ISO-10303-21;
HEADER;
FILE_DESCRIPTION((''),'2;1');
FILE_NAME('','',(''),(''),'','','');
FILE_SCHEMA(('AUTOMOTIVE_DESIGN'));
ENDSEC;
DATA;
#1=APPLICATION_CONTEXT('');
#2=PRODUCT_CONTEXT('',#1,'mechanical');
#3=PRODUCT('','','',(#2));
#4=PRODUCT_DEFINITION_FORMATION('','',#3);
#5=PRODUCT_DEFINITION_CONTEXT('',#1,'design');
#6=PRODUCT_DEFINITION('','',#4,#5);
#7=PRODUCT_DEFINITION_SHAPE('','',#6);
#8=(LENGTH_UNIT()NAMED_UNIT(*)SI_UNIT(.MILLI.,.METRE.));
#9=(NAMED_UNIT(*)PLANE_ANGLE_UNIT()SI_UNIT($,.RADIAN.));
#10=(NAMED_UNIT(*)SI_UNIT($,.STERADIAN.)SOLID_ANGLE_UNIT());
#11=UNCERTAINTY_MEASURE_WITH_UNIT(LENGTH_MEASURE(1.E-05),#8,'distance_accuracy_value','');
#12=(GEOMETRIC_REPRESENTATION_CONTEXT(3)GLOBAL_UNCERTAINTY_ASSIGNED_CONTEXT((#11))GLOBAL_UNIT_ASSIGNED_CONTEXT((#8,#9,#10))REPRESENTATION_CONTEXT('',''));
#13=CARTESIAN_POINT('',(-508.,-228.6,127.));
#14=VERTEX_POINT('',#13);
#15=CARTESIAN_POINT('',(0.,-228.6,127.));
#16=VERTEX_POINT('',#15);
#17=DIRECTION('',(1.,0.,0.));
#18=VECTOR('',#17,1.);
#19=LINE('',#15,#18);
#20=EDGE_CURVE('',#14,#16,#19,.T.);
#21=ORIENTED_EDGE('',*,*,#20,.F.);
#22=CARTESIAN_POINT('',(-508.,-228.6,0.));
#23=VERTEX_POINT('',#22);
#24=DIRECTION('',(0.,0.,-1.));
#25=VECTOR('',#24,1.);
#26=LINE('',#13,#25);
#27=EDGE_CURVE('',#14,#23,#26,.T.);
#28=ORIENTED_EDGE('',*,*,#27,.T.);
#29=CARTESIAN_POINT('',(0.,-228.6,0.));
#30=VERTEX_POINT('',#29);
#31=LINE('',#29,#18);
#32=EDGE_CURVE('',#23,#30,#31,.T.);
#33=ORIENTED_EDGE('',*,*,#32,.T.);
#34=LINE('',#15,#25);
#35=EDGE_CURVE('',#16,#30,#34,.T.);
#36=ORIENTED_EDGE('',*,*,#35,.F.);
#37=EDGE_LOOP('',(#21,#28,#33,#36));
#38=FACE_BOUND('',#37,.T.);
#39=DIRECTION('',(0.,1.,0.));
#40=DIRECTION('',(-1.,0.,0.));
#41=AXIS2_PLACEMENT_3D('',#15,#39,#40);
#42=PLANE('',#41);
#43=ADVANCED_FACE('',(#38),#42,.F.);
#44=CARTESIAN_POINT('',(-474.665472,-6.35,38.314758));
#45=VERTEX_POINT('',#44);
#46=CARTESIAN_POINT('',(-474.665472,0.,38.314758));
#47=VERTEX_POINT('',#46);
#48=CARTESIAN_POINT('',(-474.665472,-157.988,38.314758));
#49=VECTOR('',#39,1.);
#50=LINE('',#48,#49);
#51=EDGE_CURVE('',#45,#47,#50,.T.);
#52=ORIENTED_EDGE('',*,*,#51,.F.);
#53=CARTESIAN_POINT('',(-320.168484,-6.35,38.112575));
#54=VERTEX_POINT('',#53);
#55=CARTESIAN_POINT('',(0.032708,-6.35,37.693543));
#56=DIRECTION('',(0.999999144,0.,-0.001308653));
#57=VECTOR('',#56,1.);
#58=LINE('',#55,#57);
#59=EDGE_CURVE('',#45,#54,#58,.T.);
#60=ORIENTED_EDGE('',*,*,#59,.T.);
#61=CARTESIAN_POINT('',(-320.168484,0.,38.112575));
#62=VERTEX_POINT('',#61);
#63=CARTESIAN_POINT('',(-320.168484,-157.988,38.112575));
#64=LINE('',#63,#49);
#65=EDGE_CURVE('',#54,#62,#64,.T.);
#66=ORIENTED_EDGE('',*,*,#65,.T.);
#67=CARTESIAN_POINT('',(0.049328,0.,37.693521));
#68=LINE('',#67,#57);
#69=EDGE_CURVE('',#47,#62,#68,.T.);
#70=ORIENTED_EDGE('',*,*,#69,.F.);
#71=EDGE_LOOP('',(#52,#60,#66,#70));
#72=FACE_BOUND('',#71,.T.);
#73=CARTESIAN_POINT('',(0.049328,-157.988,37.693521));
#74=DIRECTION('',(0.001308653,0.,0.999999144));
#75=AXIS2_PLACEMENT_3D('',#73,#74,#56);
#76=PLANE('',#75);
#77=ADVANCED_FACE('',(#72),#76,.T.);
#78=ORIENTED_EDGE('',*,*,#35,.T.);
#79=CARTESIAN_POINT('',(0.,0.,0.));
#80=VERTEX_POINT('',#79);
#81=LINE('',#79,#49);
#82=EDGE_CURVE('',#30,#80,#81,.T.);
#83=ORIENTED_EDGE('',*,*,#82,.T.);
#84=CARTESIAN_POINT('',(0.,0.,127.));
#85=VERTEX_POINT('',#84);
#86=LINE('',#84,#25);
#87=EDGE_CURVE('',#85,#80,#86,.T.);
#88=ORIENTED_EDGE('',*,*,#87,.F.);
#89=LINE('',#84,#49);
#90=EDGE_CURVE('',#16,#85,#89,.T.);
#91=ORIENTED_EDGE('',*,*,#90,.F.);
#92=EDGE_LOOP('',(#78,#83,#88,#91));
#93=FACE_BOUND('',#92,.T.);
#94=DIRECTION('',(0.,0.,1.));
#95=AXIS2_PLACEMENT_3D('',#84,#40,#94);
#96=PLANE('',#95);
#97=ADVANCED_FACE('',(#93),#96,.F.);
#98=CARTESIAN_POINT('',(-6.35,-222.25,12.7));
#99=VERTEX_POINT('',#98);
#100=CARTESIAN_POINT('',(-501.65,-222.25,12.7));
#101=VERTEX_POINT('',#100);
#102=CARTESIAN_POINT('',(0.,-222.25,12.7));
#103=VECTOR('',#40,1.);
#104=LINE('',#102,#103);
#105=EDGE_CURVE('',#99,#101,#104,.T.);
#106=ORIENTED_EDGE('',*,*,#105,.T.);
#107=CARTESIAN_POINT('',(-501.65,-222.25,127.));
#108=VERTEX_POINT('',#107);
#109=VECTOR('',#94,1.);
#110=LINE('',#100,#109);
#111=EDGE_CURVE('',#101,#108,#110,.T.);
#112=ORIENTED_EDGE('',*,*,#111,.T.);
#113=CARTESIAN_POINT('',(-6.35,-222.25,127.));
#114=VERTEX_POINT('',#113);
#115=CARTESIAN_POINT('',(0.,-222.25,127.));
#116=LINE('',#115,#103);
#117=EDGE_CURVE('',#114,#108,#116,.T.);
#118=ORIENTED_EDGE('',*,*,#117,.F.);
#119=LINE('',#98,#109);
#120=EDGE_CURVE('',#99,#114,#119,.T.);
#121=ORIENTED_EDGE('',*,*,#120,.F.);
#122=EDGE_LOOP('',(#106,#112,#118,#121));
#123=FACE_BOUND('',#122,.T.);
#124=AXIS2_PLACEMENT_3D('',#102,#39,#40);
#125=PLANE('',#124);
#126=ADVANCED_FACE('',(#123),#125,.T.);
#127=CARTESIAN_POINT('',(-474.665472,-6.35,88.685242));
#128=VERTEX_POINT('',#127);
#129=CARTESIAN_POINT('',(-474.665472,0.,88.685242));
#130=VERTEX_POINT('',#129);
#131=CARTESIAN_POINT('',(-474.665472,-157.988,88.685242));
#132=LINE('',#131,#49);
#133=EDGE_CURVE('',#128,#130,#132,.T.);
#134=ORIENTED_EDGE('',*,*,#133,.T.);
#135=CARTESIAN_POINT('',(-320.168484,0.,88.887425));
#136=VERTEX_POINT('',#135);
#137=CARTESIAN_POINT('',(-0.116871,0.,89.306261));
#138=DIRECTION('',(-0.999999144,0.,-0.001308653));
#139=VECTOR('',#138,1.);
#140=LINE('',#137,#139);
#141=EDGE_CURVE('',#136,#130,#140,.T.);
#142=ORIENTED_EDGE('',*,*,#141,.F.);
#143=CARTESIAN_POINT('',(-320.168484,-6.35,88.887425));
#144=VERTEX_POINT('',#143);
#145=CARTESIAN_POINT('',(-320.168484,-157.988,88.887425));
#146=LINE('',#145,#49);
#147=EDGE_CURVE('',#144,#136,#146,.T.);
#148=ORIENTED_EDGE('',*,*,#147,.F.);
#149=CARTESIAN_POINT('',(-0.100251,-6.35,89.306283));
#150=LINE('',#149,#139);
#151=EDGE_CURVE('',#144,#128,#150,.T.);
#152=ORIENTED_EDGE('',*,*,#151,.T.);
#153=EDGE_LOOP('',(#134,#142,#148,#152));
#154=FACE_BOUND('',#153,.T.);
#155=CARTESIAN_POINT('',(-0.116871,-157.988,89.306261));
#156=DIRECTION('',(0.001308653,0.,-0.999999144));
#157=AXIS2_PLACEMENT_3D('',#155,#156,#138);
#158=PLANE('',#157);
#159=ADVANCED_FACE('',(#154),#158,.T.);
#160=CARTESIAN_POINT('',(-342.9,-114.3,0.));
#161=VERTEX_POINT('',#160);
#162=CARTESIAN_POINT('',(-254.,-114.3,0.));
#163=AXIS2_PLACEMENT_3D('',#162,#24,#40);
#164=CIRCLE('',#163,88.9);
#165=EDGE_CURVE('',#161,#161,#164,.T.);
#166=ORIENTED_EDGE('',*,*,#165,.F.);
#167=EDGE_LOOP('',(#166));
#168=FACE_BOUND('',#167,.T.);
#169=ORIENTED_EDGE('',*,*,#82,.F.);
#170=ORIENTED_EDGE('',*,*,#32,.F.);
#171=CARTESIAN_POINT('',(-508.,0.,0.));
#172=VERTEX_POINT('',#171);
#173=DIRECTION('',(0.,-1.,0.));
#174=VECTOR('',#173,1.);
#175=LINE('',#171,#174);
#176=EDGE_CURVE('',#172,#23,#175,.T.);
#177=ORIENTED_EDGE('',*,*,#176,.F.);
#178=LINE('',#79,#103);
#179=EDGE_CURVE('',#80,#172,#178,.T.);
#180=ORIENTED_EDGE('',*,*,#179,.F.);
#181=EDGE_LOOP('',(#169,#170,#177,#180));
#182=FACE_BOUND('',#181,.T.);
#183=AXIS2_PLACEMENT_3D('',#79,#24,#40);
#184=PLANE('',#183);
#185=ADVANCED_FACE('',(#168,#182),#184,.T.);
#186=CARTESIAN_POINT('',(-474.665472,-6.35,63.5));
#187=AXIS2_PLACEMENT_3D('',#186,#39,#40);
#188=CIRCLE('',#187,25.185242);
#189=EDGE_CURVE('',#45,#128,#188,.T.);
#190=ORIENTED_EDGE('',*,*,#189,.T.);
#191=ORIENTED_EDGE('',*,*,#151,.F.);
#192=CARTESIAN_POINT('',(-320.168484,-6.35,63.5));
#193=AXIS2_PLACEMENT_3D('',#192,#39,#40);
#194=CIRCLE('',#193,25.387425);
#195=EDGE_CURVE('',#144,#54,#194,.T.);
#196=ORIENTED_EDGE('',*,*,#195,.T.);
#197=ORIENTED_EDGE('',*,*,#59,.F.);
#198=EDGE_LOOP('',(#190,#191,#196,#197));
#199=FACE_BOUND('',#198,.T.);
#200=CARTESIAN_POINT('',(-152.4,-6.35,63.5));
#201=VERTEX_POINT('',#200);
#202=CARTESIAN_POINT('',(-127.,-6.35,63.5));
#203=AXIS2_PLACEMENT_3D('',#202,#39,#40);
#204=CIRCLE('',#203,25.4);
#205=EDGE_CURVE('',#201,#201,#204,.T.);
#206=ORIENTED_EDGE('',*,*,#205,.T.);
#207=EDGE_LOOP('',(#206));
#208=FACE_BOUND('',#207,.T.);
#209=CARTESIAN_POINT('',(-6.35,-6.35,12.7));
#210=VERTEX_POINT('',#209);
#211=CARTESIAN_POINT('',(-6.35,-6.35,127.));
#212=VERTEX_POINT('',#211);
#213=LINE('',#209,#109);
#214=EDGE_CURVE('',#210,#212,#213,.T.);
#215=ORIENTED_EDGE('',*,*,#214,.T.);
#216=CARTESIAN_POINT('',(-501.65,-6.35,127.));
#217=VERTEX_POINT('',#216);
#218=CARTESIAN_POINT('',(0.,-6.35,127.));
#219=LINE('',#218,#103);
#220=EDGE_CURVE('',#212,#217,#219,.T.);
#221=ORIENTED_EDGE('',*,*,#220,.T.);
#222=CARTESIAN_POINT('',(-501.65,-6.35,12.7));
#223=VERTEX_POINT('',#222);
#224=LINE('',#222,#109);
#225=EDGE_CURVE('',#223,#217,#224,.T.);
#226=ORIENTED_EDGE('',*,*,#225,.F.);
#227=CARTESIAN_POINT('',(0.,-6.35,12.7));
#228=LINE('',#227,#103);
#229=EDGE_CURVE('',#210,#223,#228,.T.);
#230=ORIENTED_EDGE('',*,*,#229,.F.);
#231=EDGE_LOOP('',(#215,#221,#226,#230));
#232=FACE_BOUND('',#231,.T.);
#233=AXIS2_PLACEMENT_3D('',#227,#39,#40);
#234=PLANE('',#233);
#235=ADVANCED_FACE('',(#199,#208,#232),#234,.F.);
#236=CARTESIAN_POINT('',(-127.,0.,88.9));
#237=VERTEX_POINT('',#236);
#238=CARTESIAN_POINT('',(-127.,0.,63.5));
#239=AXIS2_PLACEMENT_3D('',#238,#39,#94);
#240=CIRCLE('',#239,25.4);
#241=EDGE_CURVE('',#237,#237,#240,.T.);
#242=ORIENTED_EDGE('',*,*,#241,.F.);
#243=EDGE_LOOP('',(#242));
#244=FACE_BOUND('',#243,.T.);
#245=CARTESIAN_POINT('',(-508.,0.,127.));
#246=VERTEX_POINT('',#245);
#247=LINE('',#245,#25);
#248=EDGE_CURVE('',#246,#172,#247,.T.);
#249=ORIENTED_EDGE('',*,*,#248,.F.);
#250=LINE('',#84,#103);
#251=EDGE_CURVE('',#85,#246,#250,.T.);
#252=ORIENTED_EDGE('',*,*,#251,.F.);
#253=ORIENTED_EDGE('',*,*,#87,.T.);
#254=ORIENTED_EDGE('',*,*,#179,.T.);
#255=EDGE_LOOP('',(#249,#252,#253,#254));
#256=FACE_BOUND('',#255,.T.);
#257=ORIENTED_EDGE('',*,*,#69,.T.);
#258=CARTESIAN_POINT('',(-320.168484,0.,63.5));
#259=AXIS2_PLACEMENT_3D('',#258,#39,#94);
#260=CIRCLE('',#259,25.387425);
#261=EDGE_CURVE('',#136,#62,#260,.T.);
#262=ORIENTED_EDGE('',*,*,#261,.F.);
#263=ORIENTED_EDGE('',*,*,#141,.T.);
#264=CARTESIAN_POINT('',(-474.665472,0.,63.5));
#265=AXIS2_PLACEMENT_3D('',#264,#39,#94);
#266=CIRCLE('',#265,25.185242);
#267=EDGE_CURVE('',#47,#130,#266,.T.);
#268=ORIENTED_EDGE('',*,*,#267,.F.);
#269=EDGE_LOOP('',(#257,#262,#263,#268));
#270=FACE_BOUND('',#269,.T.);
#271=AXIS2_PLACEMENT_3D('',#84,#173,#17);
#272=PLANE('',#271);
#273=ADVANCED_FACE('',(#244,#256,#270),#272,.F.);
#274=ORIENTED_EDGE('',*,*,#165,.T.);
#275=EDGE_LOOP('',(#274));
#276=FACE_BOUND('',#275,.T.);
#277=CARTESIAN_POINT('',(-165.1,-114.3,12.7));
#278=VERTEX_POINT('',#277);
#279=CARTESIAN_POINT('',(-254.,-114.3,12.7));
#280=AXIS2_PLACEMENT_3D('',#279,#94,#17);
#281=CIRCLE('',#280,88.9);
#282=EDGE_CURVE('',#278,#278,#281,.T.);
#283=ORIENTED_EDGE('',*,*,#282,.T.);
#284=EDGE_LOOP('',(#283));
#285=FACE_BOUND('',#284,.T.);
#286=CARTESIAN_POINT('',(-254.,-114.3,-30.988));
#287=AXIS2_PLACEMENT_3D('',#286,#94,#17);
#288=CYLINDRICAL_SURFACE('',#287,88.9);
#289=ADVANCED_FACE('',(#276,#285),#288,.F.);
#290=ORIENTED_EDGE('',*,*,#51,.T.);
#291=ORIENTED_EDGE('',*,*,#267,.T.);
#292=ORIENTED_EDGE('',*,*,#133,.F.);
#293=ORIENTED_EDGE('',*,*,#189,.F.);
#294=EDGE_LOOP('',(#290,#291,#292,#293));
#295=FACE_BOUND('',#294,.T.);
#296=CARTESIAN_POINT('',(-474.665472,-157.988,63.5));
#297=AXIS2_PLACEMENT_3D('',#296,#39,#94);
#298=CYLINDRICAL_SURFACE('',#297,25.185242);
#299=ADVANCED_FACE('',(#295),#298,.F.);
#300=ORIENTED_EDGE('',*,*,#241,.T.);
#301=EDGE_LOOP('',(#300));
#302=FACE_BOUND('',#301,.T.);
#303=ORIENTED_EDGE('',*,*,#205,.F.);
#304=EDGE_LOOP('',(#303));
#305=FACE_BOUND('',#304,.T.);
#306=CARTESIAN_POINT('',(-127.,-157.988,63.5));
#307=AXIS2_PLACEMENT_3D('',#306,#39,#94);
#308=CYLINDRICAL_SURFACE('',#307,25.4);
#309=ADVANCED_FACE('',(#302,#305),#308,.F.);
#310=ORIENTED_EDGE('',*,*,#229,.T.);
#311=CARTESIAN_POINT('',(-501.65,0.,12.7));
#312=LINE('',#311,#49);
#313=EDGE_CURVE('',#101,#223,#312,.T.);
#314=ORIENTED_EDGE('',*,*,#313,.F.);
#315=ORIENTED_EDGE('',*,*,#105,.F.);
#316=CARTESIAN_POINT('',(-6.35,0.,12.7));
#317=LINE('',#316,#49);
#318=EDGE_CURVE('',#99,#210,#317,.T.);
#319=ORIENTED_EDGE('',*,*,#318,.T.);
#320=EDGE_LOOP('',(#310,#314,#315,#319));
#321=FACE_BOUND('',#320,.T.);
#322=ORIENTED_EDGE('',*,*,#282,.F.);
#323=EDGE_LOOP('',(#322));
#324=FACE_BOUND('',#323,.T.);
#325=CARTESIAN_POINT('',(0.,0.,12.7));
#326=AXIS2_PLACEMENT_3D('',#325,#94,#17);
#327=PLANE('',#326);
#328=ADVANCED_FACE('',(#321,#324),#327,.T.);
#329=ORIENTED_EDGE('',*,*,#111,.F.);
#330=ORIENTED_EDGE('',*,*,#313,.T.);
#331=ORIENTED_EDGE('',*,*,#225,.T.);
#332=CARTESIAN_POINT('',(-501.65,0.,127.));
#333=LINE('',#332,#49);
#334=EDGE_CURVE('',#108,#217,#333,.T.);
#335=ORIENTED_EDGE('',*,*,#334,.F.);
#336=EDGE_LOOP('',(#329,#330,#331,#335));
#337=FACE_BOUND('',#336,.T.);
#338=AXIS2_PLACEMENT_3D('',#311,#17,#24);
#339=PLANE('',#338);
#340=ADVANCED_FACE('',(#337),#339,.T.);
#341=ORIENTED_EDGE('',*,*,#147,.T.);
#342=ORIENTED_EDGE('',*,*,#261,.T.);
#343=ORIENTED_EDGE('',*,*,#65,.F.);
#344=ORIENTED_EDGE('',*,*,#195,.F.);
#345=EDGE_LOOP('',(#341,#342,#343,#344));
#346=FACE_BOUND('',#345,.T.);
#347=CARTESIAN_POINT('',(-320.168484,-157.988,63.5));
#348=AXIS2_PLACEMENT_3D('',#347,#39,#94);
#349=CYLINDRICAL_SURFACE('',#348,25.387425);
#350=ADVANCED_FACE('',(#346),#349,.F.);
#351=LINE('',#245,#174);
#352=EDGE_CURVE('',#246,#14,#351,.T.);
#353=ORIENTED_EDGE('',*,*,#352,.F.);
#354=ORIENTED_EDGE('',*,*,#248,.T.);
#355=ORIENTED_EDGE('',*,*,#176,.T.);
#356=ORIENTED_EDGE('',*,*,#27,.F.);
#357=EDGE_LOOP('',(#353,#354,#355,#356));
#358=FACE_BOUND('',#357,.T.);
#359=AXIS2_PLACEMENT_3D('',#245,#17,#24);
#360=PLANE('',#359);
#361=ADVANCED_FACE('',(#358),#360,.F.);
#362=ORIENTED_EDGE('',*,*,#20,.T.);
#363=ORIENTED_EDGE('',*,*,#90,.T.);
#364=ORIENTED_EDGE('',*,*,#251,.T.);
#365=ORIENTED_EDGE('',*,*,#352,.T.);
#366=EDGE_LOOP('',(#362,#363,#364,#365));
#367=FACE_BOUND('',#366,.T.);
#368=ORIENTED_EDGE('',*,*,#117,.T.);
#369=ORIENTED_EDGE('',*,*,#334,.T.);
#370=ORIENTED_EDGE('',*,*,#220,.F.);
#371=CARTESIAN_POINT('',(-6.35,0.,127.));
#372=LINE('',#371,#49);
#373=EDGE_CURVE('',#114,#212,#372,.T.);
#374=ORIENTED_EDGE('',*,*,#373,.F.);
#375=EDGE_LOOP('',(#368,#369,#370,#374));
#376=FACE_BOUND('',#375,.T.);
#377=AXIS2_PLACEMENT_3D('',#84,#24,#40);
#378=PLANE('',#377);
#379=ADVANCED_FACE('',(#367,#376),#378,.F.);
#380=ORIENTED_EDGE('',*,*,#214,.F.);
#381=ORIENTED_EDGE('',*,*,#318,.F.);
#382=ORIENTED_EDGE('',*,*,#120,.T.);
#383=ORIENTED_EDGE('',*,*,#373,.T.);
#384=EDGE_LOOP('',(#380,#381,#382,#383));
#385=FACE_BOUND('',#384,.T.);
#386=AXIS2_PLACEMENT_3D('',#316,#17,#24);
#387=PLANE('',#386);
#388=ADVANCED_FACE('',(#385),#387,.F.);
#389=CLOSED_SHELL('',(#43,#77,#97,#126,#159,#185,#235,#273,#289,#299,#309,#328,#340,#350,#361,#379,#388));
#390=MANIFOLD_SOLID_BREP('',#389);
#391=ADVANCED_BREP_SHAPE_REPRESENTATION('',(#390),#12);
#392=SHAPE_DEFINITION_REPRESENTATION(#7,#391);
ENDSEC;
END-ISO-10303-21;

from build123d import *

# Parameters (mm, degrees)
SKETCH1_W           = 508
SKETCH1_H           = 228.6
BOSS_EXTRUDE1_DEPTH = 127
CUT_EXTRUDE1_DEPTH  = 114.3
SKETCH3_R           = 88.9
CUT_EXTRUDE2_DEPTH  = 157.988
SKETCH4_R           = 25.4
CUT_EXTRUDE3_DEPTH  = 157.988


with BuildPart() as part:
    # Sketch1 → Boss-Extrude1 (new body)
    with BuildSketch(Plane.XY):
        with Locations((-254, -114.3)):
            Rectangle(SKETCH1_W, SKETCH1_H)
    extrude(amount=BOSS_EXTRUDE1_DEPTH)

    # Sketch2 → Cut-Extrude1 (cut)
    with BuildSketch(Plane.XY.offset(127)):
        Polygon((-14.111111111, -6.35), (-254, -114.3), (-14.111111111, -222.25), (-6.35, -222.25), (-6.35, -6.35), align=None)
        Polygon((-14.111111111, -6.35), (-493.888888889, -6.35), (-254, -114.3), align=None)
        Polygon((-254, -114.3), (-493.888888889, -6.35), (-501.65, -6.35), (-501.65, -222.25), (-493.888888889, -222.25), align=None)
        Polygon((-14.111111111, -222.25), (-254, -114.3), (-493.888888889, -222.25), align=None)
    extrude(amount=-CUT_EXTRUDE1_DEPTH, mode=Mode.SUBTRACT)

    # Sketch3 → Cut-Extrude2 (cut)
    with BuildSketch(Plane.XY.offset(127)):
        with Locations((-254, -114.3)):
            Circle(SKETCH3_R)
    extrude(amount=-CUT_EXTRUDE2_DEPTH, mode=Mode.SUBTRACT)

    # Sketch4 → Cut-Extrude3 (cut)
    with BuildSketch(Plane(origin=(0, 0, 0), x_dir=(1, 0, 0), z_dir=(0, 1, 0))):
        with BuildLine():
            Line((-320.23493056, -38.112662334), (-474.665471548, -38.314758497))
            ThreePointArc((-474.665471548, -38.314758497), (-499.850713051, -63.5), (-474.665471548, -88.685241503))
            Line((-474.665471548, -88.685241503), (-320.23493056, -88.887337666))
            Line((-320.23493056, -88.887337666), (-320.168483959, -88.887424622))
            ThreePointArc((-320.168483959, -88.887424622), (-294.781059337, -63.5), (-320.168483959, -38.112575378))
            Line((-320.168483959, -38.112575378), (-320.23493056, -38.112662334))
        make_face()
        with Locations(Location((-127, -63.5, 0), (0, 0, 270))):
            Circle(SKETCH4_R)
    extrude(amount=-CUT_EXTRUDE3_DEPTH, mode=Mode.SUBTRACT)


solid = part.part
